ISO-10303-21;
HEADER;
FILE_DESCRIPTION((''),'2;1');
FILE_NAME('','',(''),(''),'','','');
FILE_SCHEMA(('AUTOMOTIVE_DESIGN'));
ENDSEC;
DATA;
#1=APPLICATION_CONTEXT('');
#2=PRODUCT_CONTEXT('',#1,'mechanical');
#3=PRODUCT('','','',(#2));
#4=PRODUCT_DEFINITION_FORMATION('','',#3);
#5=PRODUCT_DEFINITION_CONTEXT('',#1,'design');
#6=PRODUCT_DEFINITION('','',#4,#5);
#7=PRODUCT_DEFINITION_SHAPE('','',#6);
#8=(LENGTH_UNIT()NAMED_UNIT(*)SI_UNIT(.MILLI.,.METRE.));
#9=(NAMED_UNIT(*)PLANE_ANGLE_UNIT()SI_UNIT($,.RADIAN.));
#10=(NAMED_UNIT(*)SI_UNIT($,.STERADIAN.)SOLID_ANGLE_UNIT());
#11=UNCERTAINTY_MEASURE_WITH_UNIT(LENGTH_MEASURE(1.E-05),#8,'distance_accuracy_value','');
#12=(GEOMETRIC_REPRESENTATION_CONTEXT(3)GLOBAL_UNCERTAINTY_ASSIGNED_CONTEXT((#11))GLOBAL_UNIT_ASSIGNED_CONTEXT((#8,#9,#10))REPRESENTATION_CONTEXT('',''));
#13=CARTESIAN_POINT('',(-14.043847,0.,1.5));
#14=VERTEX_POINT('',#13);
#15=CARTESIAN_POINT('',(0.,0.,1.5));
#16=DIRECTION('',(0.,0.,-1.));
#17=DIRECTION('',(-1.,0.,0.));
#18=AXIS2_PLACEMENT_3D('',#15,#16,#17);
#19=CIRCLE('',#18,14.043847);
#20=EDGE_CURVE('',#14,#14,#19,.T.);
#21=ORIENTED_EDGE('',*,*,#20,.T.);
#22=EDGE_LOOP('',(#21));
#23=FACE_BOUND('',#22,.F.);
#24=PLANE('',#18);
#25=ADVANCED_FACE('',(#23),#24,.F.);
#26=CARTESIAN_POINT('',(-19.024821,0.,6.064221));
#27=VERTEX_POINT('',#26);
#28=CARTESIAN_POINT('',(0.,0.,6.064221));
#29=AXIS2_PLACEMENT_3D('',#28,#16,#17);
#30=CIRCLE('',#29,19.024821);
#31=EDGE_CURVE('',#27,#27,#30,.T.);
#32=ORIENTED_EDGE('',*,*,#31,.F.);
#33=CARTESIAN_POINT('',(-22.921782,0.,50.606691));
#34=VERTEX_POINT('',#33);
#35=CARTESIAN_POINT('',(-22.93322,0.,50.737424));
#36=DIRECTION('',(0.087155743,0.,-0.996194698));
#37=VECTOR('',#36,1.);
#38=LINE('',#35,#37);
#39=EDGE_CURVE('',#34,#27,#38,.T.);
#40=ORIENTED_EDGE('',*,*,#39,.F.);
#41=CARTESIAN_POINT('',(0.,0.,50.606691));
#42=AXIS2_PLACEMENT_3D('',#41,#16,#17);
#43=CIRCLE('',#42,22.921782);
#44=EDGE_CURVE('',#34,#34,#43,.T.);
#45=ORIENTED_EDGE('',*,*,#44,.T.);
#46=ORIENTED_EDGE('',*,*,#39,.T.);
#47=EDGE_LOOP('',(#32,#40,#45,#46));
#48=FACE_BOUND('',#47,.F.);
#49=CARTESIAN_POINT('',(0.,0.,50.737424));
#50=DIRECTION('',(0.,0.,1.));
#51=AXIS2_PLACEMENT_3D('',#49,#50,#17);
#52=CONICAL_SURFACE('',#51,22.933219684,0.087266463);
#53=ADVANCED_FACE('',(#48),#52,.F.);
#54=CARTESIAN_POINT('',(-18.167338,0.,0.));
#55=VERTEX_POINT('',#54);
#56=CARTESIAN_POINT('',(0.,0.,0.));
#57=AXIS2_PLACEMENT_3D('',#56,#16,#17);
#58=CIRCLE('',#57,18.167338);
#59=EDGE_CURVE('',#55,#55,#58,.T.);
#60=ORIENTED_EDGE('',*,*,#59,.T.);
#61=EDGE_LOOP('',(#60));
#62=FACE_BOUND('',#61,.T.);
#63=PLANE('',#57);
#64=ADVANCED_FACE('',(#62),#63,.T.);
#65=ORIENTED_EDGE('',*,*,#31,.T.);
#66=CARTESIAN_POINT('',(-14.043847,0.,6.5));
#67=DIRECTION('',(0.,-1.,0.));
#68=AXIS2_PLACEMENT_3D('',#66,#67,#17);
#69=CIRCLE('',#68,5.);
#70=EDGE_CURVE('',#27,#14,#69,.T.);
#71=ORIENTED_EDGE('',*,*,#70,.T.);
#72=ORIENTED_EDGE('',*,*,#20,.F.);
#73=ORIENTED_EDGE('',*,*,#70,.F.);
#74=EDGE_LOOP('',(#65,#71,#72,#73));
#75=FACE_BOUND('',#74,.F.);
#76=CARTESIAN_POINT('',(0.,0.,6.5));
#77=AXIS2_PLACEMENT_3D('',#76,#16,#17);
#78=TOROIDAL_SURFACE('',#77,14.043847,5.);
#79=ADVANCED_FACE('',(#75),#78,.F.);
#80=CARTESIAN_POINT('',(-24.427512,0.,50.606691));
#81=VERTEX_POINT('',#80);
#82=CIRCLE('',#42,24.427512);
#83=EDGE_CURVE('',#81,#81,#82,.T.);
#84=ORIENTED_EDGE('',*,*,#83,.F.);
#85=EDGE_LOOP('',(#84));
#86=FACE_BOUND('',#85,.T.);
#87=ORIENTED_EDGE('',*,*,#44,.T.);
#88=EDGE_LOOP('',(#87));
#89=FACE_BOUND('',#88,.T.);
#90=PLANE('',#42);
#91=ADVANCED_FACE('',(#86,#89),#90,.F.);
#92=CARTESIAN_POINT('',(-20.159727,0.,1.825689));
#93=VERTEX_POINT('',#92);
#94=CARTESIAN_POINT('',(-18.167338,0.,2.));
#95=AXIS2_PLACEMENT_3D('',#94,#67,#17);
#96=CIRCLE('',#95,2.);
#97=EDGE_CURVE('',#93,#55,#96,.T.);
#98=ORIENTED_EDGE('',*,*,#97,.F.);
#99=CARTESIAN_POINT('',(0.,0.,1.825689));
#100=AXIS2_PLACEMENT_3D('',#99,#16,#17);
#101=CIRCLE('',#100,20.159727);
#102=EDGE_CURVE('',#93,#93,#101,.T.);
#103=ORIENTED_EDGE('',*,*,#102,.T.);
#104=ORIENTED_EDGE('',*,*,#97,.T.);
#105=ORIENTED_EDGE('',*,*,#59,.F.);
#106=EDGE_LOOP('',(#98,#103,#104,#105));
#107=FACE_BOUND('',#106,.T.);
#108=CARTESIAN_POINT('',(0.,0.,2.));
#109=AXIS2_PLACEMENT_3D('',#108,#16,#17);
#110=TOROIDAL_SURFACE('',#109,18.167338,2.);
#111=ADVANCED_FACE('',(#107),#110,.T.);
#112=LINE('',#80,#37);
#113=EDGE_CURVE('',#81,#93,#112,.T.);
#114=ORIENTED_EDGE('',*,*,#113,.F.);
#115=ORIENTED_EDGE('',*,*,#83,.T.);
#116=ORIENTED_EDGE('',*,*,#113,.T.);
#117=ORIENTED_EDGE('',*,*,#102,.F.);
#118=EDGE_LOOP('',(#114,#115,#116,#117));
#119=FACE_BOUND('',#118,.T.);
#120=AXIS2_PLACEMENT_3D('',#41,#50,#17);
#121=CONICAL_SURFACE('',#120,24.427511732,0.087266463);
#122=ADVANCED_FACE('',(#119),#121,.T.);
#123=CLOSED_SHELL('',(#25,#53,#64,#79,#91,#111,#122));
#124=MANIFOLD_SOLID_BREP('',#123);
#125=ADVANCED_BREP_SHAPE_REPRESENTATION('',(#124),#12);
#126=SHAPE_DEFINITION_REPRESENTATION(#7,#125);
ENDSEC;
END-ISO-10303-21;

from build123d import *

# Parameters (mm, degrees)
F1_T = -1.5
F2_R = 5
F4_R = 2


with BuildPart() as f3:
    # F0 (on Front) → F3 (revolve)
    with BuildSketch(Plane.XZ):
        Polygon((-20, 0), (0, 0), (0, 50.6066906631), (-24.4275117316, 50.6066906631), align=None)
    revolve(axis=Axis((0, 0, 25.3033453315), (0, 0, -1)))

    # F1
    f1_openings = [f3.faces().sort_by_distance(p)[0] for p in [
        (0, 0, 50.606691),
    ]]
    offset(amount=F1_T, openings=f1_openings)

    # F2
    f2_edges = [f3.edges().sort_by_distance(p)[0] for p in [
        (18.625503, 0, 1.5),
    ]]
    fillet(f2_edges, radius=F2_R)

    # F4
    f4_edges = [f3.edges().sort_by_distance(p)[0] for p in [
        (20, 0, 0),
    ]]
    fillet(f4_edges, radius=F4_R)


solid = f3.part
